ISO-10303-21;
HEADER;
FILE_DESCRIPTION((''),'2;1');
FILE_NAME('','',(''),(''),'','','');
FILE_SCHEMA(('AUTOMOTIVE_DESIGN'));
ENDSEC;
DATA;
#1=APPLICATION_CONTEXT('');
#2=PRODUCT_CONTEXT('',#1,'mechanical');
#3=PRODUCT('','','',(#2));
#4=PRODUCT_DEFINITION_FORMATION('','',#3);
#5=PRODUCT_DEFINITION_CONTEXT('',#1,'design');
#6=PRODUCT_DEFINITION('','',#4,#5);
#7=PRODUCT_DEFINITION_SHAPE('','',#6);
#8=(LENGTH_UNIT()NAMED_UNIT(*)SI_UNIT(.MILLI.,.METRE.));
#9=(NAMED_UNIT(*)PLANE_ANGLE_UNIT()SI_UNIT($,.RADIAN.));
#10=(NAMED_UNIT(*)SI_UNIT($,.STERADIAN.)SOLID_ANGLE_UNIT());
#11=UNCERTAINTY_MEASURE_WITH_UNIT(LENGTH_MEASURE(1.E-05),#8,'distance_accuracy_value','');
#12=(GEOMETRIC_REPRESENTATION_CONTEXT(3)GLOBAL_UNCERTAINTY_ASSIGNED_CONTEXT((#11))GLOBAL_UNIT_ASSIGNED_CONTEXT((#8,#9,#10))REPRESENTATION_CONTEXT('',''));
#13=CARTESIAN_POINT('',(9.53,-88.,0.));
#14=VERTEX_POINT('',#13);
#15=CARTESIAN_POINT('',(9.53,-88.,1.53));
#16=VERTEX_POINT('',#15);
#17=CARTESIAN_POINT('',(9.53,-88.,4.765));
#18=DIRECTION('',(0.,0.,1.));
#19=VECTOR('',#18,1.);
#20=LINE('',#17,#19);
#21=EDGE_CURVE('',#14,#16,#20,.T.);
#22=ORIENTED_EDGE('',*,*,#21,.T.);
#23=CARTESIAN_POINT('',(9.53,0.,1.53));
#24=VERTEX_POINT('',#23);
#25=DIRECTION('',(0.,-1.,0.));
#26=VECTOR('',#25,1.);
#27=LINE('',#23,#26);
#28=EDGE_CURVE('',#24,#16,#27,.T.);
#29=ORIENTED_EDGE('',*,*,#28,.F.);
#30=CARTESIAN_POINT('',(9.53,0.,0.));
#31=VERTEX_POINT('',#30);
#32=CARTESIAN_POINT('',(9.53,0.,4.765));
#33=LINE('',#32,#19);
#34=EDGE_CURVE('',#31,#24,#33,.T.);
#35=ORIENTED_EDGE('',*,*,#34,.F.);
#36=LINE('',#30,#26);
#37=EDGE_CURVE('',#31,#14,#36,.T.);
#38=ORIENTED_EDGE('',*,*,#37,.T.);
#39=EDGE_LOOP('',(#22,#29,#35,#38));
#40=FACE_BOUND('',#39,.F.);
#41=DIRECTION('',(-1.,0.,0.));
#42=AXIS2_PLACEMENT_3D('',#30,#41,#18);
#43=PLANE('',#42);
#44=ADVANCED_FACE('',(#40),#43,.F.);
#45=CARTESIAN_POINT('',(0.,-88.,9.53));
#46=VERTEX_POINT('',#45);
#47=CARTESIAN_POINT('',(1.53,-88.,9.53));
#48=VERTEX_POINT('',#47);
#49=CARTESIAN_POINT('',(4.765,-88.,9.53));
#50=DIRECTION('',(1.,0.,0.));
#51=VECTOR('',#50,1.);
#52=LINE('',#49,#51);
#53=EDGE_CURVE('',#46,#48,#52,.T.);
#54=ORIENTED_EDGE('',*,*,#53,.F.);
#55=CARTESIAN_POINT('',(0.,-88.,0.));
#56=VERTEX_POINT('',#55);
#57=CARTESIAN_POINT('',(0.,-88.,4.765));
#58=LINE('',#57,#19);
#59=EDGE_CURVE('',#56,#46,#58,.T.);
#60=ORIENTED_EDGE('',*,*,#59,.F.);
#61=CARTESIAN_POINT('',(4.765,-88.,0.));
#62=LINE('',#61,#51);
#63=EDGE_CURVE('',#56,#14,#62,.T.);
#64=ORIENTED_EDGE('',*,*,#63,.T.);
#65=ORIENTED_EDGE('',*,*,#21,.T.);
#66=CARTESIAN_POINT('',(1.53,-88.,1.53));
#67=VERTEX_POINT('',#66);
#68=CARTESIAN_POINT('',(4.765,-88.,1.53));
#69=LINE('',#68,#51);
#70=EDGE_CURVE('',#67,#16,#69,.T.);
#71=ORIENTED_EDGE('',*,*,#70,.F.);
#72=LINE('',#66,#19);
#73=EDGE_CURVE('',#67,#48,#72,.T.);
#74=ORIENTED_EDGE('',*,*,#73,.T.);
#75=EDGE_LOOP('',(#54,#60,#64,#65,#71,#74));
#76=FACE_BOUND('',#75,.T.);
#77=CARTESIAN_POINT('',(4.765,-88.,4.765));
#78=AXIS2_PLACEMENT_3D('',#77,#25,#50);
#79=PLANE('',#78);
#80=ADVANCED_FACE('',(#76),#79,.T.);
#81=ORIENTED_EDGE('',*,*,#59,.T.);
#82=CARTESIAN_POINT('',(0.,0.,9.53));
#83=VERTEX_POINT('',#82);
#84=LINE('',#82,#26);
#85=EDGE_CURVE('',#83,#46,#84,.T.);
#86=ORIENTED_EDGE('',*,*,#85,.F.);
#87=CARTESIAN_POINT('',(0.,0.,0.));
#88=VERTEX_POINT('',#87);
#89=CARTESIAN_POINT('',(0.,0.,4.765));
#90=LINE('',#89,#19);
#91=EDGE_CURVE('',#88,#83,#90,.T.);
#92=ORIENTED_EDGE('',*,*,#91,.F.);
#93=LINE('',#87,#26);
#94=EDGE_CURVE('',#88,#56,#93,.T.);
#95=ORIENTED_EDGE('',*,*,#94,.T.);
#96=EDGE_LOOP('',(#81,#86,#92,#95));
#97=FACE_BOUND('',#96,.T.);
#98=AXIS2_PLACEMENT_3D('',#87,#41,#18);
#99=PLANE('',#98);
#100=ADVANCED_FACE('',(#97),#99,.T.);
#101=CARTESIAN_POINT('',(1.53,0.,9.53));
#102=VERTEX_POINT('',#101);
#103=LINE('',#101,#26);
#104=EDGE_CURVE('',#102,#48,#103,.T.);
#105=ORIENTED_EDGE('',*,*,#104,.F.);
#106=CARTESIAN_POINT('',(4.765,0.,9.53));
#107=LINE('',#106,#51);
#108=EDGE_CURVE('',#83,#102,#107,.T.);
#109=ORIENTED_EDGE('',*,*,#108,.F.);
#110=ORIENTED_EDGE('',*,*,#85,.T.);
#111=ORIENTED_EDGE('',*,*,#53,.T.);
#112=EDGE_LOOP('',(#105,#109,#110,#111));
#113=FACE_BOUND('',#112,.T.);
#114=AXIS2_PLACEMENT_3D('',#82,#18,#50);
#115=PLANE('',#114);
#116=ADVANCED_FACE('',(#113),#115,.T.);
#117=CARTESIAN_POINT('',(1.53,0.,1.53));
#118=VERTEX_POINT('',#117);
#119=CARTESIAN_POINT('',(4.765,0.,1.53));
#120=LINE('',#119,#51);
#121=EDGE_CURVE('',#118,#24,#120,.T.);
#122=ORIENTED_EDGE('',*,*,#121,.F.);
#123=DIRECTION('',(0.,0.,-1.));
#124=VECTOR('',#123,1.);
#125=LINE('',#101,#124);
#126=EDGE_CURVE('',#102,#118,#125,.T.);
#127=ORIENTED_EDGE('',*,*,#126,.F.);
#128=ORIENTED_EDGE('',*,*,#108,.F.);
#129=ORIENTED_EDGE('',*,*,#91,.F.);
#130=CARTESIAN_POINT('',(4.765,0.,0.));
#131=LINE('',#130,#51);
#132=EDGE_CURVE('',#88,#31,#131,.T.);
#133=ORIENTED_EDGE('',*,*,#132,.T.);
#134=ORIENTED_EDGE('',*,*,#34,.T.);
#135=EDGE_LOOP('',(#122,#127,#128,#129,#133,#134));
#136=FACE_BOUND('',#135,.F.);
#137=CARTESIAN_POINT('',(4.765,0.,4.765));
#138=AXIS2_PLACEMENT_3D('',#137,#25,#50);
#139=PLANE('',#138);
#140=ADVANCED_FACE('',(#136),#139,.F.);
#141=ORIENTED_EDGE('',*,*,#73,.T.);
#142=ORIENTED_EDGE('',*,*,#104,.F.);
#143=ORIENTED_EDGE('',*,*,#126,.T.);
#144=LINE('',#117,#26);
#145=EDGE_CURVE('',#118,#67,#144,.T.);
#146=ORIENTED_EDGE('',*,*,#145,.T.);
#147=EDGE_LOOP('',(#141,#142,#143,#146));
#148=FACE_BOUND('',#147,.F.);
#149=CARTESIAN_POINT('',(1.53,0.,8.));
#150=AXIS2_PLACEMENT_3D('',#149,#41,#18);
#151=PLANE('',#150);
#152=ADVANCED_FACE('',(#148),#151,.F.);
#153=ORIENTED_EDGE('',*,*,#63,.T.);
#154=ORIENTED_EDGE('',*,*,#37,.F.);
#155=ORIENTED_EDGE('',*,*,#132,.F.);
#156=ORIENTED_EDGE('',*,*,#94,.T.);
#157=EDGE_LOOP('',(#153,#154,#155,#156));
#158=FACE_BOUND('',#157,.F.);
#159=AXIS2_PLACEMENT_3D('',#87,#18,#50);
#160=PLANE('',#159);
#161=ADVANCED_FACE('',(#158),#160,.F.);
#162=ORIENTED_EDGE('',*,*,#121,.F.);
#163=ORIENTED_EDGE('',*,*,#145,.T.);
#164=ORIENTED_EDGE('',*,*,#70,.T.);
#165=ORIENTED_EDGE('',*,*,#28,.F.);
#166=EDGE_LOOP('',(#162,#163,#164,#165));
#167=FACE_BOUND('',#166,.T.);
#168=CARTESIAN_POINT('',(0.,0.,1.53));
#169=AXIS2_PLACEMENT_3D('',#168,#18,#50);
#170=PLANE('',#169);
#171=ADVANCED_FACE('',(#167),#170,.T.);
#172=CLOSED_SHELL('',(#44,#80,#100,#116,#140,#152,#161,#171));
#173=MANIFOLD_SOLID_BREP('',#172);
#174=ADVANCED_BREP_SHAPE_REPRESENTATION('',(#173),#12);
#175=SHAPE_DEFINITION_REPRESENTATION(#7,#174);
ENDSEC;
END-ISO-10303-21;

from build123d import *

# Parameters (mm, degrees)
F0_W     = 9.53
F0_H     = 9.53
F1_DEPTH = 88
F2_T     = -1.53
F3_W     = 8
F3_H     = 1.53
F4_DEPTH = 88.001


with BuildPart() as f1:
    # F0 (on Front) → F1 (new body)
    with BuildSketch(Plane.XZ):
        with Locations((4.765, 4.765)):
            Rectangle(F0_W, F0_H)
    extrude(amount=F1_DEPTH)

    # F2
    f2_openings = [f1.faces().sort_by_distance(p)[0] for p in [
        (9.53, -44, 4.765),
        (4.765, -88, 4.765),
        (4.765, 0, 4.765),
    ]]
    offset(amount=F2_T, openings=f2_openings)

    # F3 (on Front) → F4 (cut, through all)
    with BuildSketch(Plane.XZ):
        with Locations((5.53, 8.765)):
            Rectangle(F3_W, F3_H)
    extrude(amount=F4_DEPTH, mode=Mode.SUBTRACT)


solid = f1.part
